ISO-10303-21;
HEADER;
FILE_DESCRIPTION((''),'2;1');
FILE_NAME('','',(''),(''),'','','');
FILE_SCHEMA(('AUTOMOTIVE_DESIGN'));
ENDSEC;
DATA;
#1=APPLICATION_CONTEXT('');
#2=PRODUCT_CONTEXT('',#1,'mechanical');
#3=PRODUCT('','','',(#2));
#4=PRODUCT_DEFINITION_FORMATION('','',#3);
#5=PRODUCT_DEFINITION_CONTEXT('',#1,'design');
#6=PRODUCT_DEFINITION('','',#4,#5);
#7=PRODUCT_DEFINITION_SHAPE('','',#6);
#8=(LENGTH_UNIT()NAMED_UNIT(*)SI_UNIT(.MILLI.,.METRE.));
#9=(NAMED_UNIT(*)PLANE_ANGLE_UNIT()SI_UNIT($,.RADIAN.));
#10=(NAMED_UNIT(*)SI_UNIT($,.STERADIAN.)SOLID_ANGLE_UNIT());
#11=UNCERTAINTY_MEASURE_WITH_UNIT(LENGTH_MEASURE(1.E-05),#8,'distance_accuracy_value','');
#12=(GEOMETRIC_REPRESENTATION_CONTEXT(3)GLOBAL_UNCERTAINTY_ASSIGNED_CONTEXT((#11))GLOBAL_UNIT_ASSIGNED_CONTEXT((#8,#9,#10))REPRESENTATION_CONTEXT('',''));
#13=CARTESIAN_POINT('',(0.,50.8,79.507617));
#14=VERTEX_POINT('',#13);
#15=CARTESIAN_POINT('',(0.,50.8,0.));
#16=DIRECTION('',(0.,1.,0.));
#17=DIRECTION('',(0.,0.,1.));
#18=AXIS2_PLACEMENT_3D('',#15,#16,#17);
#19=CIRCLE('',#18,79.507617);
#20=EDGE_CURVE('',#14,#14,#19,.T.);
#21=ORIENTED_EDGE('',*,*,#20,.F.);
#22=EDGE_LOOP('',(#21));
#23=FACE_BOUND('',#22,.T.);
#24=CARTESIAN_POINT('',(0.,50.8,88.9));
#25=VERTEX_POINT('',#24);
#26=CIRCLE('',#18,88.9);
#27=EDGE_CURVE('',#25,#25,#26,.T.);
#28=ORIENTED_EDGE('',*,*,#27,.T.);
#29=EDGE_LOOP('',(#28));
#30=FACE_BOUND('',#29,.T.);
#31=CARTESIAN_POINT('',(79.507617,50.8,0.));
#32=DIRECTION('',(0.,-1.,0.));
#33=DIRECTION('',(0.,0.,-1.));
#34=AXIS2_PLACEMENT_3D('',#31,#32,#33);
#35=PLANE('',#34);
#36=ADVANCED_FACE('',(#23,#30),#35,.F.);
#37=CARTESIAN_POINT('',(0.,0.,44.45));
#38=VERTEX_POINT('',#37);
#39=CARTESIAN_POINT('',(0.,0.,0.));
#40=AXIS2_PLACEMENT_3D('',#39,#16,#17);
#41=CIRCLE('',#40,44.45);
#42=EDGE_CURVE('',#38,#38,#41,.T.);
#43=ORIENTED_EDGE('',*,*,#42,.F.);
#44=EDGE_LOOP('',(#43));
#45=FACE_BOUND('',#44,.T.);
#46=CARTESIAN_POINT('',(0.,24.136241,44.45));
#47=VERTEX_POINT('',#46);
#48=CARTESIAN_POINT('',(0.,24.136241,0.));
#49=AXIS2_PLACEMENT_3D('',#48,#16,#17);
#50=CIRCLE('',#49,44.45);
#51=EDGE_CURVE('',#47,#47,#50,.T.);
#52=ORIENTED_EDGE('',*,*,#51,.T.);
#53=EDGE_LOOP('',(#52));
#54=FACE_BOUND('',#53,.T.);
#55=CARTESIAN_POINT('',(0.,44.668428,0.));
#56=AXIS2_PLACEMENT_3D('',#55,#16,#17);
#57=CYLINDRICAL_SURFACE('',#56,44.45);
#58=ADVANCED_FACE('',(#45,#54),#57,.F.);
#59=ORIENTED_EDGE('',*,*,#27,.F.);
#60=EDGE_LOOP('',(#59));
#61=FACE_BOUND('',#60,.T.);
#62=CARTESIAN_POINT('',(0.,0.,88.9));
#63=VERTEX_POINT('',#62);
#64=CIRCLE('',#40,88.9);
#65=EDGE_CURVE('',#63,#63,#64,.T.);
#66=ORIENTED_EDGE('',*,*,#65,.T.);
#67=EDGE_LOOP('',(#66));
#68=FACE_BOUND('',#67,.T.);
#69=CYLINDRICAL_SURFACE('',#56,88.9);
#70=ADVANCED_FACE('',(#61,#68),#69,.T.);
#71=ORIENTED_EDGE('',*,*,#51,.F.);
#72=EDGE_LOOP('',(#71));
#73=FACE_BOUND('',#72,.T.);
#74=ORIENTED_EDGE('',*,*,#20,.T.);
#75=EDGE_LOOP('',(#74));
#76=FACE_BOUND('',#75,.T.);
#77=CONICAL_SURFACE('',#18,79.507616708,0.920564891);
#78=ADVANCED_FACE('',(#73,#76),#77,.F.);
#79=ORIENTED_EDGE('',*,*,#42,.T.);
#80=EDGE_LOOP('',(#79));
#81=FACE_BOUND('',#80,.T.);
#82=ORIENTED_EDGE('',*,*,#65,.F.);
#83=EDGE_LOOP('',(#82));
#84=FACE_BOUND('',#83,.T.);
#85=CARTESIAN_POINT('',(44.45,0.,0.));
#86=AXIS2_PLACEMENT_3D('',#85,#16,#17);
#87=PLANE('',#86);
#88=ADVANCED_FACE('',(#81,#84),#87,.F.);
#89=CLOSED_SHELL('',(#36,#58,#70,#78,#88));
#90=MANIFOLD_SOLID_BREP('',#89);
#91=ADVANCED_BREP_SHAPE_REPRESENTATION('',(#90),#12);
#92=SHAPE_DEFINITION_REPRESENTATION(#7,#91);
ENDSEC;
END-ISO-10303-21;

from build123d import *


with BuildPart() as part:
    # Sketch2 → Revolve1 (revolve)
    with BuildSketch(Plane.XY):
        Polygon((44.45, 0), (44.45, 24.136240786), (79.507616708, 50.8), (88.9, 50.8), (88.9, 0), align=None)
    revolve(axis=Axis((0, 44.668427518, 0), (0, -1, 0)))


solid = part.part
